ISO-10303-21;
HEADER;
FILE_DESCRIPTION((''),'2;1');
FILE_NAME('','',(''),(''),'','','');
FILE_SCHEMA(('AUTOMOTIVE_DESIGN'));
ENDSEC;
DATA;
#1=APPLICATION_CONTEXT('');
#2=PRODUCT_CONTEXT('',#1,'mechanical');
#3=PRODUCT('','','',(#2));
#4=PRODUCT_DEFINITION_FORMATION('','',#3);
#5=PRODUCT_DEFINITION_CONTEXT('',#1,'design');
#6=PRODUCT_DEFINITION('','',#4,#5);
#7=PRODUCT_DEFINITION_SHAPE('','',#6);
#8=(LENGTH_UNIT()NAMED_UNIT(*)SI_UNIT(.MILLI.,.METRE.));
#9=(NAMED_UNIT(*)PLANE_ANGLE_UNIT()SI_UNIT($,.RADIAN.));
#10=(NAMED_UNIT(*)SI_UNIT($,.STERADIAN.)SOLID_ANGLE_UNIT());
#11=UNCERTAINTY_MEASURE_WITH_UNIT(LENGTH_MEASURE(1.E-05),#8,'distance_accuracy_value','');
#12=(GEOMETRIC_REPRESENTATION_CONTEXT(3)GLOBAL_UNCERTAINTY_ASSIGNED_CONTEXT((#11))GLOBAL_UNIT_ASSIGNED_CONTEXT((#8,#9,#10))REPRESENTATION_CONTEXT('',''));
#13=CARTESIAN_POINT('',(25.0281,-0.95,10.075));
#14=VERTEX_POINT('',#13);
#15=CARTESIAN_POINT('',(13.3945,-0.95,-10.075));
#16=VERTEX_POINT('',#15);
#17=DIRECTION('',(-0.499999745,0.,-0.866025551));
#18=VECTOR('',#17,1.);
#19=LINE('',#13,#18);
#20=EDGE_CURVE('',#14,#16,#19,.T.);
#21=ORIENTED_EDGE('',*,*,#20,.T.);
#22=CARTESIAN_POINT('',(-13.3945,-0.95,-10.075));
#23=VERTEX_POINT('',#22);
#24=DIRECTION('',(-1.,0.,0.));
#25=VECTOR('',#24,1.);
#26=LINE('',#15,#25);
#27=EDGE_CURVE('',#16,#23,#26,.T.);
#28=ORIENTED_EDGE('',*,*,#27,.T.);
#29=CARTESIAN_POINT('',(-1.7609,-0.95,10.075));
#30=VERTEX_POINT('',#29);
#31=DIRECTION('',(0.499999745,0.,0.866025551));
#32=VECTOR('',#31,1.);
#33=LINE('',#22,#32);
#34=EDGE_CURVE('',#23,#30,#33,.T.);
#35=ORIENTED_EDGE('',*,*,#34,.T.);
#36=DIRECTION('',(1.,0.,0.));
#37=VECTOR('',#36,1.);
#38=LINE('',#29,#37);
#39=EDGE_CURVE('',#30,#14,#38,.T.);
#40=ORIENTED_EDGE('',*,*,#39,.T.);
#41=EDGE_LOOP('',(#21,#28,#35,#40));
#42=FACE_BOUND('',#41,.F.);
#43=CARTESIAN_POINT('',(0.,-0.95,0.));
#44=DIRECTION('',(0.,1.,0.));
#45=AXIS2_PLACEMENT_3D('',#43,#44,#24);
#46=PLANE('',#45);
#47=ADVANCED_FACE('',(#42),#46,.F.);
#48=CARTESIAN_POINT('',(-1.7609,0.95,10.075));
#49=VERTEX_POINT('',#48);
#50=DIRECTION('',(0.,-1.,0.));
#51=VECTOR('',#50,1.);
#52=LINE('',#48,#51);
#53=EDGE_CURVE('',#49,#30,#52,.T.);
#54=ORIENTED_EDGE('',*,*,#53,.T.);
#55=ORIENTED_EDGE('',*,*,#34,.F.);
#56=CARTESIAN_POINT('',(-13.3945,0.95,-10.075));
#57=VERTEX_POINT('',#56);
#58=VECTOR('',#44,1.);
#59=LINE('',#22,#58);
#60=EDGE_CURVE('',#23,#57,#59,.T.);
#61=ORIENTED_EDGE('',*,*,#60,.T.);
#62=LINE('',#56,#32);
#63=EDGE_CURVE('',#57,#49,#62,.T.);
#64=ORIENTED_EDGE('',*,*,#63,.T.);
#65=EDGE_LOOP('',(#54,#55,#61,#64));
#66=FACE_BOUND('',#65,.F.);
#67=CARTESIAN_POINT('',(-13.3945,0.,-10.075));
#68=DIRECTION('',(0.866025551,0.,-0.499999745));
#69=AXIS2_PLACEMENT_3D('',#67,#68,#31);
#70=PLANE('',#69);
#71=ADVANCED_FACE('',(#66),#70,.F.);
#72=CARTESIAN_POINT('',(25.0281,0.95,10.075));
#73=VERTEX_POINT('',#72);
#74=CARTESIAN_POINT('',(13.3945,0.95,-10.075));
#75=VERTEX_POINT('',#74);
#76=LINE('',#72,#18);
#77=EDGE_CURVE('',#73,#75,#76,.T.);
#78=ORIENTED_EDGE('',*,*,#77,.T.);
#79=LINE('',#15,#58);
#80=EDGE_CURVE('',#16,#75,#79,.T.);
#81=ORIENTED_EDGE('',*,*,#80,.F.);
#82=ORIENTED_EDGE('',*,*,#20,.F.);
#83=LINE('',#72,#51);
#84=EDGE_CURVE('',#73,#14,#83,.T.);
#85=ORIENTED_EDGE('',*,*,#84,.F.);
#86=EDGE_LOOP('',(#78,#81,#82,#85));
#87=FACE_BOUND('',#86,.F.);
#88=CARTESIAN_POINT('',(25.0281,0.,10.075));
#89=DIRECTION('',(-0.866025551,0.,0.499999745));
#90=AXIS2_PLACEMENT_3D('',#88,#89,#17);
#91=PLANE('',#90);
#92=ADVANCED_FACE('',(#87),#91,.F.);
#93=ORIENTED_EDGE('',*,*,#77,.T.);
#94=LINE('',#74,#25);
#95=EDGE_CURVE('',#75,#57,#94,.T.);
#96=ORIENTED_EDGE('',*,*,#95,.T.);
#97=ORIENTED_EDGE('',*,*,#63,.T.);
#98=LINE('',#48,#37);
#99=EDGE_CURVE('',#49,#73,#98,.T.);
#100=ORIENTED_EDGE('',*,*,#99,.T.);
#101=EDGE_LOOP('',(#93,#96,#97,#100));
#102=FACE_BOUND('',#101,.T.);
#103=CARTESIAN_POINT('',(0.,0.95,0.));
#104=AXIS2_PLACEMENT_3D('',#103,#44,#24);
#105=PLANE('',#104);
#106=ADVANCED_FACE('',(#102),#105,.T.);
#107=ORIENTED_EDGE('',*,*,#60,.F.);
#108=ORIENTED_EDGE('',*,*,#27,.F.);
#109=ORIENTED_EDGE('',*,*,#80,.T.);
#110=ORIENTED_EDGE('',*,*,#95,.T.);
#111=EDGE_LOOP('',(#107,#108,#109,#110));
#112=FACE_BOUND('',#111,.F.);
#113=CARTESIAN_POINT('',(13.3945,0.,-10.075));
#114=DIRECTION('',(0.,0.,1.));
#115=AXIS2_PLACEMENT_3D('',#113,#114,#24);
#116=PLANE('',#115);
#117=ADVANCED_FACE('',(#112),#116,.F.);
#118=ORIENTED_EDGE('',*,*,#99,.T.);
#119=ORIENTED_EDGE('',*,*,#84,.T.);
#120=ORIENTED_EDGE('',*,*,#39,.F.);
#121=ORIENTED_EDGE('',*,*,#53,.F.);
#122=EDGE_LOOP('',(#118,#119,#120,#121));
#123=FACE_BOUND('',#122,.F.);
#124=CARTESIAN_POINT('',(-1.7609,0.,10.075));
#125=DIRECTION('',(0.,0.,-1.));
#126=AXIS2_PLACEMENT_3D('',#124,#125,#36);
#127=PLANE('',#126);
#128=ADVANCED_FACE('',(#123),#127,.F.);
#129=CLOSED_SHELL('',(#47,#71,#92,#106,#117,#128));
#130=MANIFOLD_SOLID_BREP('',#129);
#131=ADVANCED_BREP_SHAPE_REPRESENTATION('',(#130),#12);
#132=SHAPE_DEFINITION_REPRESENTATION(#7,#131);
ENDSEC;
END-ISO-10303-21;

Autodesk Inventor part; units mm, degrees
ref_plane "YZ Plane" through (0, 0, 0) normal (1, 0, 0) x (0, 1, 0)
ref_plane "XZ Plane" through (0, 0, 0) normal (0, 1, 0) x (-1, 0, 0)
ref_plane "XY Plane" through (0, 0, 0) normal (0, 0, 1) x (1, 0, 0)
sketch "Sketch1" plane through (0, 0, 0) normal (0, 1, 0) x (-1, 0, 0)
  line L0 (-13.3945, -10.075) -> (13.3945, -10.075)
  line L1 (13.3945, -10.075) -> (1.7609, 10.075)
  line L2 (1.7609, 10.075) -> (-25.0281, 10.075)
  line L3 (-25.0281, 10.075) -> (-13.3945, -10.075)
  point P0 (0, 0)
  point P1 (0, -10.075)
  point P2 (7.5777, 0)
  dimension "d12" = 20.15
  dimension "d13" = 120
  dimension "d14" = 23.2
extrude "Extrusion1" add sketch "Sketch1" along normal mid plane 1.9
equation "\"d12\" = CouncilHomeHeight"
equation "\"d14\" = CouncilHomeWidth"
equation "\"CouncilHomeHeight\" = 20.15"
equation "\"CouncilHomeWidth\" = 23.2"
properties part number "FactionSpecial_Council_Homel" material "ABS Plastic"
